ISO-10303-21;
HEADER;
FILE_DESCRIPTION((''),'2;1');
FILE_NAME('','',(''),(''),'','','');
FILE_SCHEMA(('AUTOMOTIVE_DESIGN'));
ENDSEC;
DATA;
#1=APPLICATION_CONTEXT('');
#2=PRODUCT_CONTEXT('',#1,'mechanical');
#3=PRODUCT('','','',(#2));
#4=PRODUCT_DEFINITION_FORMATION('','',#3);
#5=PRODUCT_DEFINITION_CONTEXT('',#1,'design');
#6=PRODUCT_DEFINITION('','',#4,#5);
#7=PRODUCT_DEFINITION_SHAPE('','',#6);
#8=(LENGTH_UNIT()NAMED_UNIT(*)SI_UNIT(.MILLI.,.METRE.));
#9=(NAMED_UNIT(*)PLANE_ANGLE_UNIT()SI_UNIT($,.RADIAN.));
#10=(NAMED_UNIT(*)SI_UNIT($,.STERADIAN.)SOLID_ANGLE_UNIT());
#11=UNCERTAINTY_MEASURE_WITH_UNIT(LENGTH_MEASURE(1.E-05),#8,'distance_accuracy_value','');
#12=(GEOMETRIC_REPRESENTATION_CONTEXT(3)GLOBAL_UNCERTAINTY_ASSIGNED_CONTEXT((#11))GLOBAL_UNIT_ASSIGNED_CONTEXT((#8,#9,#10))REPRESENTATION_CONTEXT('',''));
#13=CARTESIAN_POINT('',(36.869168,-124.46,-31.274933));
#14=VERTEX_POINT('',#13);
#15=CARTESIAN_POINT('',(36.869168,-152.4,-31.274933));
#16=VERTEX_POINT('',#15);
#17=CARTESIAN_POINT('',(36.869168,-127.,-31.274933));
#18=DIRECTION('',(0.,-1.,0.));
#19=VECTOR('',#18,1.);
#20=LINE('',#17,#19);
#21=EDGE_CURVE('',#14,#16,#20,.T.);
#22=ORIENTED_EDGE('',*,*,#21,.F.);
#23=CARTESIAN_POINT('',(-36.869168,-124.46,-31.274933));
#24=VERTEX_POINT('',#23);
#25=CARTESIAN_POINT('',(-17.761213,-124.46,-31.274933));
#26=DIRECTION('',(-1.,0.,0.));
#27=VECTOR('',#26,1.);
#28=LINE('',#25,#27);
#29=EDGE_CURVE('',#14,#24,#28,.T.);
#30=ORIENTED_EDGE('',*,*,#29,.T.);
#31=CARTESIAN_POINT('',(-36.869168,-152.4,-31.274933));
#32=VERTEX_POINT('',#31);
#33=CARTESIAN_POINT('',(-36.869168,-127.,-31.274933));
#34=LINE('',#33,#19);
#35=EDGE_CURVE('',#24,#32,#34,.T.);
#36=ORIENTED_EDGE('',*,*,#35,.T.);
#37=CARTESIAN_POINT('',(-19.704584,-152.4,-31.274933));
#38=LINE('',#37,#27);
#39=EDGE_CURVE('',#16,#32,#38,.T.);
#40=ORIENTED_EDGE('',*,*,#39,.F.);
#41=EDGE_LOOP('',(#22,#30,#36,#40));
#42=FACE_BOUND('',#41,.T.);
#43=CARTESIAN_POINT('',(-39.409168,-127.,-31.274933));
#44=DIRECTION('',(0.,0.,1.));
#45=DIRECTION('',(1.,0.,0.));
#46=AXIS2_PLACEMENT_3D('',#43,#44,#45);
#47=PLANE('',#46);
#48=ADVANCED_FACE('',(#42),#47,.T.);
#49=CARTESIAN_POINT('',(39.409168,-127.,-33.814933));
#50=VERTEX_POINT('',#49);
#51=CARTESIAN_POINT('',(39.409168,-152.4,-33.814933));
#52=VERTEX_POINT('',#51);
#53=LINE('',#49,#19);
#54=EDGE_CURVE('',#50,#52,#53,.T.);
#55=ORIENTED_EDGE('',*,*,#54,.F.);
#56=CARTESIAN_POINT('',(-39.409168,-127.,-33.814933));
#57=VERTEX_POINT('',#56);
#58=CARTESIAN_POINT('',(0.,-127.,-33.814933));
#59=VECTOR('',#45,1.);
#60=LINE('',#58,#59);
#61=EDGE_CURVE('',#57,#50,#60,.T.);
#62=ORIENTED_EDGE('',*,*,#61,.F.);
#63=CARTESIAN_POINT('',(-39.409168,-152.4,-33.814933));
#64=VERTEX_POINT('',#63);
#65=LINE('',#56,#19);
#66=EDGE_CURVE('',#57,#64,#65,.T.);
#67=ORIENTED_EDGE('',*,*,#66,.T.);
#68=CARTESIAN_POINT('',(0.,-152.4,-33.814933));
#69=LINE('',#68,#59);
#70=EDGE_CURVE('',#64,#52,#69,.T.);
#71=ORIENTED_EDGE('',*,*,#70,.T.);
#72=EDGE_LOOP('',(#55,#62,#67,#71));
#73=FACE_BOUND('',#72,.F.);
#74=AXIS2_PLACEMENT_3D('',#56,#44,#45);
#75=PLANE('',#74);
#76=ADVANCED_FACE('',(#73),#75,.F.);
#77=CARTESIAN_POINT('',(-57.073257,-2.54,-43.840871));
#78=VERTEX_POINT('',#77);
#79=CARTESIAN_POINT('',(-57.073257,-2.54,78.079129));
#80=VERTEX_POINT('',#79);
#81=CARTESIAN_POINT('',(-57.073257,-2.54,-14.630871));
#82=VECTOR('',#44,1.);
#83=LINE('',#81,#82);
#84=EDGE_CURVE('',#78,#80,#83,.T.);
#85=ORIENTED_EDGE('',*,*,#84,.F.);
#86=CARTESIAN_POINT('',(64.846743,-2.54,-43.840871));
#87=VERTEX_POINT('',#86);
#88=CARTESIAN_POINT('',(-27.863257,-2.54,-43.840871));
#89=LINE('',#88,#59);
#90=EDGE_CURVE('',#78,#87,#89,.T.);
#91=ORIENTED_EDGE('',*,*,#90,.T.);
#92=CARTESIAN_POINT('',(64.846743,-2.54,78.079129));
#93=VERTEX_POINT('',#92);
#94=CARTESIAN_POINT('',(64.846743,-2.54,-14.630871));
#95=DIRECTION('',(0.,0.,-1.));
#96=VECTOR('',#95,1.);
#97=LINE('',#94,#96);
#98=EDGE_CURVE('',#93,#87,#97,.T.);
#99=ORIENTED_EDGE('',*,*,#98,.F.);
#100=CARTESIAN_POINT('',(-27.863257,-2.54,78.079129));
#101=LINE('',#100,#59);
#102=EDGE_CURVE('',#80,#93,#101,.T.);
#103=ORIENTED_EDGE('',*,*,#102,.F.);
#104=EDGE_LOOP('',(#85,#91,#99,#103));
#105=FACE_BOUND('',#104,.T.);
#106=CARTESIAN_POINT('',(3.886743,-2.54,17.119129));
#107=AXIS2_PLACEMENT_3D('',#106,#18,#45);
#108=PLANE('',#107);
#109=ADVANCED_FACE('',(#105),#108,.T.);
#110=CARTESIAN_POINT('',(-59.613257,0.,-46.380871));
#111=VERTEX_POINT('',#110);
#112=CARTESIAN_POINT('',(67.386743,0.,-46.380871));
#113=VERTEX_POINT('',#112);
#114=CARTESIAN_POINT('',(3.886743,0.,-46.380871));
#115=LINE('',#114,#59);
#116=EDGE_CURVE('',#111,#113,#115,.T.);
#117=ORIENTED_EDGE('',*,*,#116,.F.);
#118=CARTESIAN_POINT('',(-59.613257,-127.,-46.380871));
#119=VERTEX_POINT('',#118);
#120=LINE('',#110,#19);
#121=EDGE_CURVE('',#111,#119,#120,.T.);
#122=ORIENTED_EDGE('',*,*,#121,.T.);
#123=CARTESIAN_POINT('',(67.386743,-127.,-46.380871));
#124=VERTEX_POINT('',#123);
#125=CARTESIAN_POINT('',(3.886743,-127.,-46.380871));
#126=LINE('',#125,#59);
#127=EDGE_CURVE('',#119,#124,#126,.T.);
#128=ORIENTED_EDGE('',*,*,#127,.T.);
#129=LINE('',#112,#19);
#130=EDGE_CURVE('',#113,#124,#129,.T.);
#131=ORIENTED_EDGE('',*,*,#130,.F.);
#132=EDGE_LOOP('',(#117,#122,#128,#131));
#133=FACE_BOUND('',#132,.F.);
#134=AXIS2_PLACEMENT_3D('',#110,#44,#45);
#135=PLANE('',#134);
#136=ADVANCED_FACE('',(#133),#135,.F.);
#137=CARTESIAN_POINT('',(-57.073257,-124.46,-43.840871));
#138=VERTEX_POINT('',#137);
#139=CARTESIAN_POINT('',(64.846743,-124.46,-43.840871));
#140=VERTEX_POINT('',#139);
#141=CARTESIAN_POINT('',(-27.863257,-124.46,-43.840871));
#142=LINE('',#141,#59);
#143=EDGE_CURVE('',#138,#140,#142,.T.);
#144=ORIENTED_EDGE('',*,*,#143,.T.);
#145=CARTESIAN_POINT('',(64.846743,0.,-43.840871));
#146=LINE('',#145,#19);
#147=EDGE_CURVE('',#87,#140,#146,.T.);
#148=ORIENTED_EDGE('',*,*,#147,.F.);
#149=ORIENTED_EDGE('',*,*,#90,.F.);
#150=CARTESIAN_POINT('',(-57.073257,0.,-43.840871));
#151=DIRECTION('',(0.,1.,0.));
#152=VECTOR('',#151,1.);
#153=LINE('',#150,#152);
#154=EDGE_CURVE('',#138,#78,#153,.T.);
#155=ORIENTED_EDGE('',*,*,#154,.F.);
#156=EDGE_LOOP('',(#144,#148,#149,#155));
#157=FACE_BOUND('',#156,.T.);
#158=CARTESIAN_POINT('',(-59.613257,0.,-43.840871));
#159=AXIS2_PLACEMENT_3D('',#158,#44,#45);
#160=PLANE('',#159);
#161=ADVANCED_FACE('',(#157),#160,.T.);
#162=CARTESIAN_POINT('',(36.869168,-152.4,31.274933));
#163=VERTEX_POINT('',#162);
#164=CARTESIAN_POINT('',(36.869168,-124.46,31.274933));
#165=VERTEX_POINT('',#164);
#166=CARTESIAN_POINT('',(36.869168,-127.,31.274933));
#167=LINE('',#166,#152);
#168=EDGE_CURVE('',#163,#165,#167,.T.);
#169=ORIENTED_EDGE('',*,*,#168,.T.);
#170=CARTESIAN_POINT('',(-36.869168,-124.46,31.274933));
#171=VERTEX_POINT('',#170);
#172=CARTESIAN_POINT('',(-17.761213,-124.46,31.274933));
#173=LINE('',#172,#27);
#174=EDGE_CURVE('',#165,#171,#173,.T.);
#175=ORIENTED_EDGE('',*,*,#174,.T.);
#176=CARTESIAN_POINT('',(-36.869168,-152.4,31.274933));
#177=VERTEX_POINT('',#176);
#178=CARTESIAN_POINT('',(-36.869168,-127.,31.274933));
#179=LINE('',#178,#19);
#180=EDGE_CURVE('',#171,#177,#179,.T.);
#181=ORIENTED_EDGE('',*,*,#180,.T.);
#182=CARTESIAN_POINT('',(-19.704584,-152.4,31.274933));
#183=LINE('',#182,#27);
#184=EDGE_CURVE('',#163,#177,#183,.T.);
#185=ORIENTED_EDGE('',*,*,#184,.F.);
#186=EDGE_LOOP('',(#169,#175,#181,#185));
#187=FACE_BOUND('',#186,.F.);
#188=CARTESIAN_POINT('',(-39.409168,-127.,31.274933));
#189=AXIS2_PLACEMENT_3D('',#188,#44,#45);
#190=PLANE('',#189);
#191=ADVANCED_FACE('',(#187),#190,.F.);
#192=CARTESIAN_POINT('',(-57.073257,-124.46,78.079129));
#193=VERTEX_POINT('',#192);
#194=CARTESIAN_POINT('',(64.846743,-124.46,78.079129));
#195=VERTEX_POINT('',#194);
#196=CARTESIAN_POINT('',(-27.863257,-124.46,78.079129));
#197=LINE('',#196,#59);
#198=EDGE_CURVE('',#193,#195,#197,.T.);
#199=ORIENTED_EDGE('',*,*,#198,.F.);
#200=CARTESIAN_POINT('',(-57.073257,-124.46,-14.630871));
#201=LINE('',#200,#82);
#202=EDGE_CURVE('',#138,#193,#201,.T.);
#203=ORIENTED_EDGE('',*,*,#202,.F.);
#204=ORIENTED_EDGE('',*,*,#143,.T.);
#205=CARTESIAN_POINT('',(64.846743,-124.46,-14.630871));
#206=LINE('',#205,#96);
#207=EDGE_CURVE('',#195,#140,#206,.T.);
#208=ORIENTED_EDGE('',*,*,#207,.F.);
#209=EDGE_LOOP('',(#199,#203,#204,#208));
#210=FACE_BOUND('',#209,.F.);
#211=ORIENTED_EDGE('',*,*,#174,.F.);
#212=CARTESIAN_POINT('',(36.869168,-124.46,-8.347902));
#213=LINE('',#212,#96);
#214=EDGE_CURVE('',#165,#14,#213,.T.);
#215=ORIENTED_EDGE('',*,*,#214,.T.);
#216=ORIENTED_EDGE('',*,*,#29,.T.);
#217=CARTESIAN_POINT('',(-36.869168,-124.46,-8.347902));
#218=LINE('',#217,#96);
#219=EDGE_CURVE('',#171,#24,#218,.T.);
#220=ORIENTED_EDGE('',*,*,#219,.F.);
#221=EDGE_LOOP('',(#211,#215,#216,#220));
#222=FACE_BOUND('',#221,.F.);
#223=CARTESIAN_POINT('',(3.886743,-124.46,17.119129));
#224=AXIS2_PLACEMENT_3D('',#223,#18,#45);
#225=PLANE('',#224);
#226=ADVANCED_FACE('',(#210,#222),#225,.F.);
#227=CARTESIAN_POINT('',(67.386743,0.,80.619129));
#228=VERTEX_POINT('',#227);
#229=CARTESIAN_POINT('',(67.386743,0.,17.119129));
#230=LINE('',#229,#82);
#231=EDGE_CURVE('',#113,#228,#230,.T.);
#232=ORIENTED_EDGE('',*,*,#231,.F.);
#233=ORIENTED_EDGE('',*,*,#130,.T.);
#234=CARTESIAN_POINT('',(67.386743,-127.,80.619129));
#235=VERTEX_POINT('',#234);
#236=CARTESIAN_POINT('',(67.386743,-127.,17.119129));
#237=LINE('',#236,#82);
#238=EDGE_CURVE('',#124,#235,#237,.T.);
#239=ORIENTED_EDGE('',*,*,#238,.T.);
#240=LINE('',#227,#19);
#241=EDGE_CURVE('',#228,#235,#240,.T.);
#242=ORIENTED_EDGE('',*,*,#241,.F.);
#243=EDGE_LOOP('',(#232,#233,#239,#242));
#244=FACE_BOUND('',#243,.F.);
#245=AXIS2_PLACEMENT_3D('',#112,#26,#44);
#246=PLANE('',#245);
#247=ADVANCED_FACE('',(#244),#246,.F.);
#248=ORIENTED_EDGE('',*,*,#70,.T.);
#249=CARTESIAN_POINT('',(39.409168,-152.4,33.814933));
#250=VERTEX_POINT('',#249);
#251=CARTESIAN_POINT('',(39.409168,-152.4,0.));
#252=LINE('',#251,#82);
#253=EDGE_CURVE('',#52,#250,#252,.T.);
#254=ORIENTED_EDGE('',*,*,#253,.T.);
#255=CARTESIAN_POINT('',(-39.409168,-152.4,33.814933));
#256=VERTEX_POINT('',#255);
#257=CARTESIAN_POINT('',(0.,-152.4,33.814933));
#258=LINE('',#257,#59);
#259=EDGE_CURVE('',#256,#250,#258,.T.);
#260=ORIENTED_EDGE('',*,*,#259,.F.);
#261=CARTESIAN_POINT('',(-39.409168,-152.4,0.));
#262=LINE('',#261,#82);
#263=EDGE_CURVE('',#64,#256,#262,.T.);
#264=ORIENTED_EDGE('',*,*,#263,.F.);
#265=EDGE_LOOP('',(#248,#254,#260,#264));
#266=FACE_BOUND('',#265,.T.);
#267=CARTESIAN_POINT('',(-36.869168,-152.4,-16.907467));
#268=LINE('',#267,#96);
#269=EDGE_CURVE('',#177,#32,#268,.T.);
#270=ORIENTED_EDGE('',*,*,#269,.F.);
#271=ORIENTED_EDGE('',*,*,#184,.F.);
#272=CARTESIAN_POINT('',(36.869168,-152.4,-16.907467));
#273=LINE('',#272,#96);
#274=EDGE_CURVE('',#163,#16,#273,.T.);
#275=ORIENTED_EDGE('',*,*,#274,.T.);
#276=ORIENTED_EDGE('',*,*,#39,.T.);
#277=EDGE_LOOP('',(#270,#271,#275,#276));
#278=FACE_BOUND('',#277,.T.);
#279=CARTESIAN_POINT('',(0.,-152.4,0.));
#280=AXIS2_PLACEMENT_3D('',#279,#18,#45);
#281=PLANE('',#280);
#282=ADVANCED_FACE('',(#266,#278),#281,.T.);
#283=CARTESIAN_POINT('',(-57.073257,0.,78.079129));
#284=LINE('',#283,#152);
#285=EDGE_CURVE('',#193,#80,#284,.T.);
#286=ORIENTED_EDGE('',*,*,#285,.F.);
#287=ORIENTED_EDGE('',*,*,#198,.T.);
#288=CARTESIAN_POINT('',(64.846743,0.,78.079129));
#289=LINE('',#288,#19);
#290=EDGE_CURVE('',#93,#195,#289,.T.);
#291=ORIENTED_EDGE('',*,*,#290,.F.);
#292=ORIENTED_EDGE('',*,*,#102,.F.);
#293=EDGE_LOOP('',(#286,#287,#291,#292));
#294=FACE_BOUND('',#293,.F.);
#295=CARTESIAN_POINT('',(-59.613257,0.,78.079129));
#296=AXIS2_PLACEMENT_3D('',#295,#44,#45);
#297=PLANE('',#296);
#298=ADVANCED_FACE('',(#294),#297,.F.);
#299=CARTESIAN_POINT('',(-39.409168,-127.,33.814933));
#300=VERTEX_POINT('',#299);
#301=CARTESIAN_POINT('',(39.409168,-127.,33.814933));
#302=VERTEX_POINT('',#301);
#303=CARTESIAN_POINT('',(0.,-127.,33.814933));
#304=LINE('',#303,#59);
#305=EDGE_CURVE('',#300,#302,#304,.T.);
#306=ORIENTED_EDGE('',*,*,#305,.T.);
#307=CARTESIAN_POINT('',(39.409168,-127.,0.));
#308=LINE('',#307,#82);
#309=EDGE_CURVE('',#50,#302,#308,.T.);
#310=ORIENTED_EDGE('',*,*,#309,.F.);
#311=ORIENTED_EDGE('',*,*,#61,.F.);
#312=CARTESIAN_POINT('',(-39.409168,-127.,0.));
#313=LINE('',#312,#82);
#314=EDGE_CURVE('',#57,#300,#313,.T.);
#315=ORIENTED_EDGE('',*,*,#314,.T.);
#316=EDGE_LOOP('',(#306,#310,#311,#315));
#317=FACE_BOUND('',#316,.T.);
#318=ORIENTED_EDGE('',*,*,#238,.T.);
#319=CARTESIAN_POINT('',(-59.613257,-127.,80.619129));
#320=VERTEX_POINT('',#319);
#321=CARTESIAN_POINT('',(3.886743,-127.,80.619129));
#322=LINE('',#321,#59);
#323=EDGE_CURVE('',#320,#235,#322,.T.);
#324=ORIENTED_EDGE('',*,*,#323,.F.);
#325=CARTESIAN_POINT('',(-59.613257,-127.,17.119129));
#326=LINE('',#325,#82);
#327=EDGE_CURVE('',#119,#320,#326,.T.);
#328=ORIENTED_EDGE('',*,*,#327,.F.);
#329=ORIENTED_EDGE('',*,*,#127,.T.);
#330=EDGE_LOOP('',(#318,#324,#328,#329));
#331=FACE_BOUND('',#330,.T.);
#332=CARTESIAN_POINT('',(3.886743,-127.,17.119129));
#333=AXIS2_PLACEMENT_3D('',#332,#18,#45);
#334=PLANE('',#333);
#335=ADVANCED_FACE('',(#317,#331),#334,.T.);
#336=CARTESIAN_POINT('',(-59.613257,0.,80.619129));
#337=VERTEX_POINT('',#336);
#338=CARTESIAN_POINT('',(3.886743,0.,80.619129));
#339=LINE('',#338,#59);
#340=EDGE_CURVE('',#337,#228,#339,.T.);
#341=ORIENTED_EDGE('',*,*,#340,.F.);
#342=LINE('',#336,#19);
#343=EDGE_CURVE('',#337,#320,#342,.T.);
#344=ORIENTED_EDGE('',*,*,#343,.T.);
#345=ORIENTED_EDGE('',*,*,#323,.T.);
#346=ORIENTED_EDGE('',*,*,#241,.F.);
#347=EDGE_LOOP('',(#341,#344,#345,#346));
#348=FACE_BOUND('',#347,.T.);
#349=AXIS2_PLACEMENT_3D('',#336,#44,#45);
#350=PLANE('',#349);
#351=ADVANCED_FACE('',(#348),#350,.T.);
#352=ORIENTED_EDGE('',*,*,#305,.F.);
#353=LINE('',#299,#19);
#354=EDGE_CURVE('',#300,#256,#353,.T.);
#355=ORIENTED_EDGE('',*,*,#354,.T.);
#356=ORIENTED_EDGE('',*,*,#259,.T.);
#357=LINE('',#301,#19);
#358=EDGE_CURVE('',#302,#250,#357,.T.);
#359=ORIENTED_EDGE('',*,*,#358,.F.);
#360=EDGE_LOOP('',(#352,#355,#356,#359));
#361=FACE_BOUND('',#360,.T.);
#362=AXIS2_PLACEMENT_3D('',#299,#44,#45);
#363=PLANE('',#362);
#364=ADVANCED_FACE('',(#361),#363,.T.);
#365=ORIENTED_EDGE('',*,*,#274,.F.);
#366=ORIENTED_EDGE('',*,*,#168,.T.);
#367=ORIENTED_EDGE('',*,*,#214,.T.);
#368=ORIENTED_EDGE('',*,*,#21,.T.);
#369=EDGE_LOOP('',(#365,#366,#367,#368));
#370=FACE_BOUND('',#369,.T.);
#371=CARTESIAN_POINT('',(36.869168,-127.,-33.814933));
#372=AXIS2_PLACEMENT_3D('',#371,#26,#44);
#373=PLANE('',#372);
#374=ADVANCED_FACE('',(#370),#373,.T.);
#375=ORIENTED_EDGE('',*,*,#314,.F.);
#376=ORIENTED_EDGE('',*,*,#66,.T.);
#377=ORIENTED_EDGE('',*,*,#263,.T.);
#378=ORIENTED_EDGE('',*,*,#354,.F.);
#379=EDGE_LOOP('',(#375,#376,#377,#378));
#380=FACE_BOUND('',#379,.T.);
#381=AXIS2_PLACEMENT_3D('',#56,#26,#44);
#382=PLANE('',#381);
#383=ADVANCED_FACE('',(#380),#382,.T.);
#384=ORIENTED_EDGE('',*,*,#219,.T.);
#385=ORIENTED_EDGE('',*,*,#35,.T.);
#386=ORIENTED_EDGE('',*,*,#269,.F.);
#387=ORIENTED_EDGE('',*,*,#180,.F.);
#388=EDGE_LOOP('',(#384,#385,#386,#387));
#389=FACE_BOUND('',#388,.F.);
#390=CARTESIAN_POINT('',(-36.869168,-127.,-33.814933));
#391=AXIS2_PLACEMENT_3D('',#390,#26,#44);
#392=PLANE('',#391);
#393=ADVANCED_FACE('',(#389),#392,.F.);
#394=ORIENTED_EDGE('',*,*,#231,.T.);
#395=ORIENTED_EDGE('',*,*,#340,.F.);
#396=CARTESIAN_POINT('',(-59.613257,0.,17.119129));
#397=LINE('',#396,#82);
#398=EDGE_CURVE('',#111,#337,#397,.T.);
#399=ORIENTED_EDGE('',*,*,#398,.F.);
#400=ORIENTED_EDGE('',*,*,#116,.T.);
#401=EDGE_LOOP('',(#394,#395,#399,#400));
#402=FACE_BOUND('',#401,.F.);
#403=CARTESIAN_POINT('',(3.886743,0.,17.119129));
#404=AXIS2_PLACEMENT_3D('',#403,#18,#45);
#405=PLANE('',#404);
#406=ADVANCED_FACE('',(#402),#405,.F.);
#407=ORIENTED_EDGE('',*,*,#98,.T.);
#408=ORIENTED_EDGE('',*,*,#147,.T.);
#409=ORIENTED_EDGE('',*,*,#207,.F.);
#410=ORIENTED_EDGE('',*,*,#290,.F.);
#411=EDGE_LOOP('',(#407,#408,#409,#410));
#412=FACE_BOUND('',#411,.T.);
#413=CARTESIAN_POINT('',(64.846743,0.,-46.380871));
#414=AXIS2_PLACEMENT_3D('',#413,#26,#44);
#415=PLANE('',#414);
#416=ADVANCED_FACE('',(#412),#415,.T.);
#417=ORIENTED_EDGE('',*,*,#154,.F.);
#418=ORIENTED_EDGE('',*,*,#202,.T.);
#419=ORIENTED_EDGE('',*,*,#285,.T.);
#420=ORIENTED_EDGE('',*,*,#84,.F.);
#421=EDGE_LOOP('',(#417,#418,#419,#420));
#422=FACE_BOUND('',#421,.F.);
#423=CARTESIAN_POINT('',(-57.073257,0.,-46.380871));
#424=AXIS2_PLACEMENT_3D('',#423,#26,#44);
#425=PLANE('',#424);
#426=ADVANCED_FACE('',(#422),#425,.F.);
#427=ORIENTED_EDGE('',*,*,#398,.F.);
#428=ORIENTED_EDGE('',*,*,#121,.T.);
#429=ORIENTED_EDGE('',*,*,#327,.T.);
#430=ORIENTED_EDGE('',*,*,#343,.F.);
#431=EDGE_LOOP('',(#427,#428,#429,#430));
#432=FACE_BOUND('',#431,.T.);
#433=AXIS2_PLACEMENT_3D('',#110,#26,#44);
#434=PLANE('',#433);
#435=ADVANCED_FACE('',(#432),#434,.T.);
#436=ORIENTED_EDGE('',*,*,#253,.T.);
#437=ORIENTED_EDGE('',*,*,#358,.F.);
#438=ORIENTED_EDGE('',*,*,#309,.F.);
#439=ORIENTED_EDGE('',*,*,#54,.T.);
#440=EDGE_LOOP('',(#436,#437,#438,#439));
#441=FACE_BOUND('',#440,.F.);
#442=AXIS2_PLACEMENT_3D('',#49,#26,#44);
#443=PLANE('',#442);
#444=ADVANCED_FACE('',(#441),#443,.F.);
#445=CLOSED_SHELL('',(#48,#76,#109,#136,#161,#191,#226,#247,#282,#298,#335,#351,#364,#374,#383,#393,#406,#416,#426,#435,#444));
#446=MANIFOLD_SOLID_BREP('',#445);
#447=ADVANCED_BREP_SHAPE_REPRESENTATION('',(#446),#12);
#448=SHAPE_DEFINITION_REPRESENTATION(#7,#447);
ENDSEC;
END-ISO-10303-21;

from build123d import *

# Parameters (mm, degrees)
F0_W     = 127
F0_H     = 127
F1_DEPTH = 127
F2_W     = 78.8183361292
F2_H     = 67.629866302
F3_DEPTH = 25.4
F4_T     = -2.54


with BuildPart() as f1:
    # F0 (on Front) → F1 (new body)
    with BuildSketch(Plane.XZ):
        with Locations((3.8867425174, 17.1191294668)):
            Rectangle(F0_W, F0_H)
    extrude(amount=F1_DEPTH)

    # F2 (on face) → F3 (join)
    with BuildSketch(Plane.XZ.offset(127)):
        Rectangle(F2_W, F2_H)
    extrude(amount=F3_DEPTH)

    # F4
    f4_openings = [f1.faces().sort_by_distance(p)[0] for p in [
        (0, -152.4, 0),
    ]]
    offset(amount=F4_T, openings=f4_openings, kind=Kind.INTERSECTION)


solid = f1.part
